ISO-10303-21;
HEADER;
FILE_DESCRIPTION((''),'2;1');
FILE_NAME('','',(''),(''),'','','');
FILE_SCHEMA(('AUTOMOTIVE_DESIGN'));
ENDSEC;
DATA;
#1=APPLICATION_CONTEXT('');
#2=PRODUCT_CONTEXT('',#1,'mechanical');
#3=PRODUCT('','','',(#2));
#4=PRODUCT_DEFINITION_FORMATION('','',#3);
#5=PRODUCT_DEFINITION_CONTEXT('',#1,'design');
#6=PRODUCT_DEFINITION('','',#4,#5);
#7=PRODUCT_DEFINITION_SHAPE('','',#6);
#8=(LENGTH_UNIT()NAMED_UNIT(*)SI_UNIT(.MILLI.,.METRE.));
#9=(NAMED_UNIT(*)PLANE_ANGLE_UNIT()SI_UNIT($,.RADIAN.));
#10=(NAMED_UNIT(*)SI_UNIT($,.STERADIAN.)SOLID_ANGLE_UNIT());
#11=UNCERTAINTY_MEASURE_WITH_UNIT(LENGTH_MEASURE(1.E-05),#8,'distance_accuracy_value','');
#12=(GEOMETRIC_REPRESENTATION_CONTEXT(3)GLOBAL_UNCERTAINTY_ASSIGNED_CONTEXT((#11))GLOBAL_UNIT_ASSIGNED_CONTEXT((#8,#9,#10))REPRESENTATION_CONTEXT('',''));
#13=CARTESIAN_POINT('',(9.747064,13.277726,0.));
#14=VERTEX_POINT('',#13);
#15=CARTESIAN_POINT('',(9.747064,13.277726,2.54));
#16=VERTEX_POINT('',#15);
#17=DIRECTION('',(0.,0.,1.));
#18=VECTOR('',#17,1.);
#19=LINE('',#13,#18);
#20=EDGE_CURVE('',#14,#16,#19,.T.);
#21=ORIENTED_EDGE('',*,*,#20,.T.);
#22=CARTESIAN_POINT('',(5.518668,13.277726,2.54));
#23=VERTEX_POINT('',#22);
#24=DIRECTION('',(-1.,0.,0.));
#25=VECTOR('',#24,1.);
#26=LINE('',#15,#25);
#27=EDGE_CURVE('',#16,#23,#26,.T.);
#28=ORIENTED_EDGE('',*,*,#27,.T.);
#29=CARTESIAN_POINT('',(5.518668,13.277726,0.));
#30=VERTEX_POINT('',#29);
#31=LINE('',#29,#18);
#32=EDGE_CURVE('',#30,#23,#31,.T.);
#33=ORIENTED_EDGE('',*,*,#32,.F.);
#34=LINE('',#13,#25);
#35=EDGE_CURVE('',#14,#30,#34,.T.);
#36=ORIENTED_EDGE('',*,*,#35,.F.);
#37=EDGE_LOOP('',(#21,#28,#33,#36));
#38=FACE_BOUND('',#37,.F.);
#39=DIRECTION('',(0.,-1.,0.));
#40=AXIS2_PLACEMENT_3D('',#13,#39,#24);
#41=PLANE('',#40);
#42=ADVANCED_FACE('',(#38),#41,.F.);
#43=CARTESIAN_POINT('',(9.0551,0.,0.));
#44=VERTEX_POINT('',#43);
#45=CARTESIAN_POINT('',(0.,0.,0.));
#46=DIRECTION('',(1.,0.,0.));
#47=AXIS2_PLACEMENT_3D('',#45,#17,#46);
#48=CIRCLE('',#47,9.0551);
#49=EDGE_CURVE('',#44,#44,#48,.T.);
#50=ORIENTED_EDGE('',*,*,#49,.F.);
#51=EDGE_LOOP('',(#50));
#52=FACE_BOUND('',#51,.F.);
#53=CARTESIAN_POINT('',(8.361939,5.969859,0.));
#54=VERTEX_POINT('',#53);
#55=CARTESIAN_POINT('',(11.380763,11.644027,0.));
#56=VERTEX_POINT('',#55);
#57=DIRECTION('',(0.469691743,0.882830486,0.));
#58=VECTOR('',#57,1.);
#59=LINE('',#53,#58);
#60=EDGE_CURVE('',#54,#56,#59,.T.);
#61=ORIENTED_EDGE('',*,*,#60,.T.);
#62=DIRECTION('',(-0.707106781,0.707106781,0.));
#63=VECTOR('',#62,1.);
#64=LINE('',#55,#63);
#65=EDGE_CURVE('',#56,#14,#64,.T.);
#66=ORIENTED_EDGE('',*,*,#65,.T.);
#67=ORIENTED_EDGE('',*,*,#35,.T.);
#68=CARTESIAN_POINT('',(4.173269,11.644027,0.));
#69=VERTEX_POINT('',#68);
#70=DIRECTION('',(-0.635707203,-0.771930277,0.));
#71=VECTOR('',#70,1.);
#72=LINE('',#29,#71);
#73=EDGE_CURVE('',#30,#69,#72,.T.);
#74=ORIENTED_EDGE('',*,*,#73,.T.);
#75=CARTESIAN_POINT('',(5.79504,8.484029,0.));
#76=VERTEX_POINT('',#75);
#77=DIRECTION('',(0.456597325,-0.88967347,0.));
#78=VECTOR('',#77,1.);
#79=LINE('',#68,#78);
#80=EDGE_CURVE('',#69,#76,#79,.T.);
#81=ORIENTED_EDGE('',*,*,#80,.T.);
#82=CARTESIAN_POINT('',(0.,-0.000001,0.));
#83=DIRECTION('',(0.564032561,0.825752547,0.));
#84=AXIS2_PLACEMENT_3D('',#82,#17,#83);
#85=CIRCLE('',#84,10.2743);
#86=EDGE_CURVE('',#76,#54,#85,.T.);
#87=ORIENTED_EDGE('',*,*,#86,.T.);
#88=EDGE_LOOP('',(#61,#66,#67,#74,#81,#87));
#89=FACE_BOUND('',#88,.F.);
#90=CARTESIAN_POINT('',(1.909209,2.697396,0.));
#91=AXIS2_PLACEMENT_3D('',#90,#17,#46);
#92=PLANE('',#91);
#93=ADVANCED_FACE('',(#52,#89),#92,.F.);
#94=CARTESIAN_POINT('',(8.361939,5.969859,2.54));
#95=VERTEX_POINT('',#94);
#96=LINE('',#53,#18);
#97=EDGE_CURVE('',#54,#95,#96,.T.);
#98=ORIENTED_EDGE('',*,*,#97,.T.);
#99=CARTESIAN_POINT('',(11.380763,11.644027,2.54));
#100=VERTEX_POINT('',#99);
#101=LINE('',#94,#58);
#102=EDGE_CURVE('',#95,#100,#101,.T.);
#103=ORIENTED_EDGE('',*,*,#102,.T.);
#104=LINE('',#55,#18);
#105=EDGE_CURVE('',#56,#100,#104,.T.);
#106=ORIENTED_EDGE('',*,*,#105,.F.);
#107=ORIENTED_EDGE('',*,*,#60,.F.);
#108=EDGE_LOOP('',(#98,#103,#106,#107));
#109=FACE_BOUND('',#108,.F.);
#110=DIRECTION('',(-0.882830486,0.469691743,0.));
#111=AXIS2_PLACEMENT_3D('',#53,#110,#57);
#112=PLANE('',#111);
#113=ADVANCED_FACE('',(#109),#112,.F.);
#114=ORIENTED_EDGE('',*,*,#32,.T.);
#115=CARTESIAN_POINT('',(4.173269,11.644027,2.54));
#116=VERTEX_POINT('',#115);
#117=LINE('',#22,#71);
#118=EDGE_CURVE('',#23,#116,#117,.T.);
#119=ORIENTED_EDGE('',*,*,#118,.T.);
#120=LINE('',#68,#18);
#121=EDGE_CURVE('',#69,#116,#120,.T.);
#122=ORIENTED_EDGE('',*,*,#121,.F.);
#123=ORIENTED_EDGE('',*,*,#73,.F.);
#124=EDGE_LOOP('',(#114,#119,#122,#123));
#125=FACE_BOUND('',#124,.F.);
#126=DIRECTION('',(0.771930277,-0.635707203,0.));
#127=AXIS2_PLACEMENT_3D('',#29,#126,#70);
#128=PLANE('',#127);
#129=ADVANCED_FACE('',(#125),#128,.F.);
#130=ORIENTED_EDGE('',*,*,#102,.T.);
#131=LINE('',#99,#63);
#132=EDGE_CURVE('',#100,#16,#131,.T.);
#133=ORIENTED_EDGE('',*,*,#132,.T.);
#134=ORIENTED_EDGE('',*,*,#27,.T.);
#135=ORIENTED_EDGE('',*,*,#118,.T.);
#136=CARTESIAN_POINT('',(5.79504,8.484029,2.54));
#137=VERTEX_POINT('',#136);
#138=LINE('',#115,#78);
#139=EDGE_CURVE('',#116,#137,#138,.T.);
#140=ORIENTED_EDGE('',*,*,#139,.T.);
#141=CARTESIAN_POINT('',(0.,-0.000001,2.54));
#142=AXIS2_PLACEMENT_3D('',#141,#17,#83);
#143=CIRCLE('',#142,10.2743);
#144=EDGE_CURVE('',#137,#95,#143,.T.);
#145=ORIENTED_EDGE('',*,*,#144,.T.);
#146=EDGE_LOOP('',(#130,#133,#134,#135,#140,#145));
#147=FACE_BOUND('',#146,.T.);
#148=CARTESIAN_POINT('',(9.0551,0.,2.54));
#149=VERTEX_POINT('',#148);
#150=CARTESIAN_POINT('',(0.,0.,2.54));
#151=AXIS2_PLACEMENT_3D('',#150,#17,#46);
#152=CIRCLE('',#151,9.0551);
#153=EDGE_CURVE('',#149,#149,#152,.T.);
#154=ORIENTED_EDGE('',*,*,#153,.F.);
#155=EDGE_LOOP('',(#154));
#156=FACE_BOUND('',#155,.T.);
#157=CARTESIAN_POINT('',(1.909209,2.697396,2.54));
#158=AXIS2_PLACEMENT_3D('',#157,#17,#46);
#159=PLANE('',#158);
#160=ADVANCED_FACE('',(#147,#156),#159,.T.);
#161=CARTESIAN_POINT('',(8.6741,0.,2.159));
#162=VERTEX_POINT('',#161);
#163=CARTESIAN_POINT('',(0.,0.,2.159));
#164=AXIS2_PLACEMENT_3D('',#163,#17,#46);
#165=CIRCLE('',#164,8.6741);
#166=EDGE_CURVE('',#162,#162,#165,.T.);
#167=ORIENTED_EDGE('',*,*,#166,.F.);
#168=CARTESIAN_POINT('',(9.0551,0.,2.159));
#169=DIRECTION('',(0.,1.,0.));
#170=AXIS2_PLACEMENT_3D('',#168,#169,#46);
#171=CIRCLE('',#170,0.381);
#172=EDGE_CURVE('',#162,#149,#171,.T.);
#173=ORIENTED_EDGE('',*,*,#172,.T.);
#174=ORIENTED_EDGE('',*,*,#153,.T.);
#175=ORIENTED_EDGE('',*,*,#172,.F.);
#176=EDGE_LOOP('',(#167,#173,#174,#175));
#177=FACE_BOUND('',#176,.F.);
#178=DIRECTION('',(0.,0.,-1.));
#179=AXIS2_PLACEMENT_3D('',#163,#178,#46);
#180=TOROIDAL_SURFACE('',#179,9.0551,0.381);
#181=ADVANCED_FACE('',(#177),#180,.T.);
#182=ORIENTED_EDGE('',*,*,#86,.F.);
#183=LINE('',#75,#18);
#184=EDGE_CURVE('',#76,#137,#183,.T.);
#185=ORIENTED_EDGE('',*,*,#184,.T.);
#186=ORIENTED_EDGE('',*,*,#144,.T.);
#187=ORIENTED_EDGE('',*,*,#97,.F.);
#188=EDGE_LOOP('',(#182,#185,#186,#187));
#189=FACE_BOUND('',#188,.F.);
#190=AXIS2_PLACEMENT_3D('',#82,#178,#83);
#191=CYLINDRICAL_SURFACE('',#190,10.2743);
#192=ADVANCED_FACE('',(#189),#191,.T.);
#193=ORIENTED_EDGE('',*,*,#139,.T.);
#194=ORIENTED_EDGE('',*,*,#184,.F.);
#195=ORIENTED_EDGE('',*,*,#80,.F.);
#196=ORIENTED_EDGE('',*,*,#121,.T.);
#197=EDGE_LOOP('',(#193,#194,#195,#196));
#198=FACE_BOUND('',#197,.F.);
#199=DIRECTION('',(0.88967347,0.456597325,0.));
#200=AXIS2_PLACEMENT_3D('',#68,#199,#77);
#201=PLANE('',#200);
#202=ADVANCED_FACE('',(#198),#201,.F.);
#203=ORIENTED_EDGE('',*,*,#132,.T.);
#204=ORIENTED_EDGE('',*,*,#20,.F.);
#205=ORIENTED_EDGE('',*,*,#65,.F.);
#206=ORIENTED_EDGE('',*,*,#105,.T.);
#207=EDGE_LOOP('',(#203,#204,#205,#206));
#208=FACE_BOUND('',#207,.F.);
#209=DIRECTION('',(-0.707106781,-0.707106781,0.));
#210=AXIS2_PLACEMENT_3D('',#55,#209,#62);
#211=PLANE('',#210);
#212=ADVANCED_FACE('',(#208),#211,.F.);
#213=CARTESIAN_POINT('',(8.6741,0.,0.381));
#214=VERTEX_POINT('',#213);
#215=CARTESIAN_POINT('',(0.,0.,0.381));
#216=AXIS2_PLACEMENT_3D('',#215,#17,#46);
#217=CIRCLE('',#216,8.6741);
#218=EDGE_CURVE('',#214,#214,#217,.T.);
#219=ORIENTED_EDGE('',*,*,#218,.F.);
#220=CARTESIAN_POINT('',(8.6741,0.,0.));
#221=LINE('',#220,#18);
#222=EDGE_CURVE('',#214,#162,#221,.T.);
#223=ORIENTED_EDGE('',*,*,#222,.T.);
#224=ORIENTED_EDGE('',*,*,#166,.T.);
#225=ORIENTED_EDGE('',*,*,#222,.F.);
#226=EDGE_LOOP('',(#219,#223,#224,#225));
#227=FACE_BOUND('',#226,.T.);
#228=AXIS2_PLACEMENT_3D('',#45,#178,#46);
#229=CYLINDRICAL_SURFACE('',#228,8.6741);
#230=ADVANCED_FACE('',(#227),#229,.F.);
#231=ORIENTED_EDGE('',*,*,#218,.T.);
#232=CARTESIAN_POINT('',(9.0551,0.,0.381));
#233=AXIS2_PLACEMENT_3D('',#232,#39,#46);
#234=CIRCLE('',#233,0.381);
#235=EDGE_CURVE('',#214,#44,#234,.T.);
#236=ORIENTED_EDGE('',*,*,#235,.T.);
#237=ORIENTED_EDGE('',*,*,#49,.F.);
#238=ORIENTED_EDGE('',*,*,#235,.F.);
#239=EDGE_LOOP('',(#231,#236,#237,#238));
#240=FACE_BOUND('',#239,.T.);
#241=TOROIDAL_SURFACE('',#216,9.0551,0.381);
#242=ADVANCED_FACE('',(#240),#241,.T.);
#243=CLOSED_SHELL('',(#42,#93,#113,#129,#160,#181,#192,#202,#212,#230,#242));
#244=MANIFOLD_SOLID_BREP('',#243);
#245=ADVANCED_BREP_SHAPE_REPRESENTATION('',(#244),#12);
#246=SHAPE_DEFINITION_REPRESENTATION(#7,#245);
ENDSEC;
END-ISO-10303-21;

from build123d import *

# Parameters (mm, degrees)
F0_R     = 8.6741
F1_DEPTH = 2.54
F2_R     = 0.381


with BuildPart() as f1:
    # F0 (on Top) → F1 (new body)
    with BuildSketch(Plane.XY):
        with BuildLine():
            Line((4.173269, 11.644027), (5.79504, 8.484029))
            ThreePointArc((5.79504, 8.484029), (-7.189248, -7.340025), (8.361939, 5.969859))
            Line((8.361939, 5.969859), (11.380763, 11.644027))
            Line((11.380763, 11.644027), (9.747064, 13.277726))
            Line((9.747064, 13.277726), (5.518668, 13.277726))
            Line((5.518668, 13.277726), (4.173269, 11.644027))
        make_face()
        Circle(F0_R, mode=Mode.SUBTRACT)
    extrude(amount=F1_DEPTH)

    # F2
    f2_edges = [f1.edges().sort_by_distance(p)[0] for p in [
        (-8.6741, 0, 0),
        (-8.6741, 0, 2.54),
    ]]
    fillet(f2_edges, radius=F2_R)


solid = f1.part
